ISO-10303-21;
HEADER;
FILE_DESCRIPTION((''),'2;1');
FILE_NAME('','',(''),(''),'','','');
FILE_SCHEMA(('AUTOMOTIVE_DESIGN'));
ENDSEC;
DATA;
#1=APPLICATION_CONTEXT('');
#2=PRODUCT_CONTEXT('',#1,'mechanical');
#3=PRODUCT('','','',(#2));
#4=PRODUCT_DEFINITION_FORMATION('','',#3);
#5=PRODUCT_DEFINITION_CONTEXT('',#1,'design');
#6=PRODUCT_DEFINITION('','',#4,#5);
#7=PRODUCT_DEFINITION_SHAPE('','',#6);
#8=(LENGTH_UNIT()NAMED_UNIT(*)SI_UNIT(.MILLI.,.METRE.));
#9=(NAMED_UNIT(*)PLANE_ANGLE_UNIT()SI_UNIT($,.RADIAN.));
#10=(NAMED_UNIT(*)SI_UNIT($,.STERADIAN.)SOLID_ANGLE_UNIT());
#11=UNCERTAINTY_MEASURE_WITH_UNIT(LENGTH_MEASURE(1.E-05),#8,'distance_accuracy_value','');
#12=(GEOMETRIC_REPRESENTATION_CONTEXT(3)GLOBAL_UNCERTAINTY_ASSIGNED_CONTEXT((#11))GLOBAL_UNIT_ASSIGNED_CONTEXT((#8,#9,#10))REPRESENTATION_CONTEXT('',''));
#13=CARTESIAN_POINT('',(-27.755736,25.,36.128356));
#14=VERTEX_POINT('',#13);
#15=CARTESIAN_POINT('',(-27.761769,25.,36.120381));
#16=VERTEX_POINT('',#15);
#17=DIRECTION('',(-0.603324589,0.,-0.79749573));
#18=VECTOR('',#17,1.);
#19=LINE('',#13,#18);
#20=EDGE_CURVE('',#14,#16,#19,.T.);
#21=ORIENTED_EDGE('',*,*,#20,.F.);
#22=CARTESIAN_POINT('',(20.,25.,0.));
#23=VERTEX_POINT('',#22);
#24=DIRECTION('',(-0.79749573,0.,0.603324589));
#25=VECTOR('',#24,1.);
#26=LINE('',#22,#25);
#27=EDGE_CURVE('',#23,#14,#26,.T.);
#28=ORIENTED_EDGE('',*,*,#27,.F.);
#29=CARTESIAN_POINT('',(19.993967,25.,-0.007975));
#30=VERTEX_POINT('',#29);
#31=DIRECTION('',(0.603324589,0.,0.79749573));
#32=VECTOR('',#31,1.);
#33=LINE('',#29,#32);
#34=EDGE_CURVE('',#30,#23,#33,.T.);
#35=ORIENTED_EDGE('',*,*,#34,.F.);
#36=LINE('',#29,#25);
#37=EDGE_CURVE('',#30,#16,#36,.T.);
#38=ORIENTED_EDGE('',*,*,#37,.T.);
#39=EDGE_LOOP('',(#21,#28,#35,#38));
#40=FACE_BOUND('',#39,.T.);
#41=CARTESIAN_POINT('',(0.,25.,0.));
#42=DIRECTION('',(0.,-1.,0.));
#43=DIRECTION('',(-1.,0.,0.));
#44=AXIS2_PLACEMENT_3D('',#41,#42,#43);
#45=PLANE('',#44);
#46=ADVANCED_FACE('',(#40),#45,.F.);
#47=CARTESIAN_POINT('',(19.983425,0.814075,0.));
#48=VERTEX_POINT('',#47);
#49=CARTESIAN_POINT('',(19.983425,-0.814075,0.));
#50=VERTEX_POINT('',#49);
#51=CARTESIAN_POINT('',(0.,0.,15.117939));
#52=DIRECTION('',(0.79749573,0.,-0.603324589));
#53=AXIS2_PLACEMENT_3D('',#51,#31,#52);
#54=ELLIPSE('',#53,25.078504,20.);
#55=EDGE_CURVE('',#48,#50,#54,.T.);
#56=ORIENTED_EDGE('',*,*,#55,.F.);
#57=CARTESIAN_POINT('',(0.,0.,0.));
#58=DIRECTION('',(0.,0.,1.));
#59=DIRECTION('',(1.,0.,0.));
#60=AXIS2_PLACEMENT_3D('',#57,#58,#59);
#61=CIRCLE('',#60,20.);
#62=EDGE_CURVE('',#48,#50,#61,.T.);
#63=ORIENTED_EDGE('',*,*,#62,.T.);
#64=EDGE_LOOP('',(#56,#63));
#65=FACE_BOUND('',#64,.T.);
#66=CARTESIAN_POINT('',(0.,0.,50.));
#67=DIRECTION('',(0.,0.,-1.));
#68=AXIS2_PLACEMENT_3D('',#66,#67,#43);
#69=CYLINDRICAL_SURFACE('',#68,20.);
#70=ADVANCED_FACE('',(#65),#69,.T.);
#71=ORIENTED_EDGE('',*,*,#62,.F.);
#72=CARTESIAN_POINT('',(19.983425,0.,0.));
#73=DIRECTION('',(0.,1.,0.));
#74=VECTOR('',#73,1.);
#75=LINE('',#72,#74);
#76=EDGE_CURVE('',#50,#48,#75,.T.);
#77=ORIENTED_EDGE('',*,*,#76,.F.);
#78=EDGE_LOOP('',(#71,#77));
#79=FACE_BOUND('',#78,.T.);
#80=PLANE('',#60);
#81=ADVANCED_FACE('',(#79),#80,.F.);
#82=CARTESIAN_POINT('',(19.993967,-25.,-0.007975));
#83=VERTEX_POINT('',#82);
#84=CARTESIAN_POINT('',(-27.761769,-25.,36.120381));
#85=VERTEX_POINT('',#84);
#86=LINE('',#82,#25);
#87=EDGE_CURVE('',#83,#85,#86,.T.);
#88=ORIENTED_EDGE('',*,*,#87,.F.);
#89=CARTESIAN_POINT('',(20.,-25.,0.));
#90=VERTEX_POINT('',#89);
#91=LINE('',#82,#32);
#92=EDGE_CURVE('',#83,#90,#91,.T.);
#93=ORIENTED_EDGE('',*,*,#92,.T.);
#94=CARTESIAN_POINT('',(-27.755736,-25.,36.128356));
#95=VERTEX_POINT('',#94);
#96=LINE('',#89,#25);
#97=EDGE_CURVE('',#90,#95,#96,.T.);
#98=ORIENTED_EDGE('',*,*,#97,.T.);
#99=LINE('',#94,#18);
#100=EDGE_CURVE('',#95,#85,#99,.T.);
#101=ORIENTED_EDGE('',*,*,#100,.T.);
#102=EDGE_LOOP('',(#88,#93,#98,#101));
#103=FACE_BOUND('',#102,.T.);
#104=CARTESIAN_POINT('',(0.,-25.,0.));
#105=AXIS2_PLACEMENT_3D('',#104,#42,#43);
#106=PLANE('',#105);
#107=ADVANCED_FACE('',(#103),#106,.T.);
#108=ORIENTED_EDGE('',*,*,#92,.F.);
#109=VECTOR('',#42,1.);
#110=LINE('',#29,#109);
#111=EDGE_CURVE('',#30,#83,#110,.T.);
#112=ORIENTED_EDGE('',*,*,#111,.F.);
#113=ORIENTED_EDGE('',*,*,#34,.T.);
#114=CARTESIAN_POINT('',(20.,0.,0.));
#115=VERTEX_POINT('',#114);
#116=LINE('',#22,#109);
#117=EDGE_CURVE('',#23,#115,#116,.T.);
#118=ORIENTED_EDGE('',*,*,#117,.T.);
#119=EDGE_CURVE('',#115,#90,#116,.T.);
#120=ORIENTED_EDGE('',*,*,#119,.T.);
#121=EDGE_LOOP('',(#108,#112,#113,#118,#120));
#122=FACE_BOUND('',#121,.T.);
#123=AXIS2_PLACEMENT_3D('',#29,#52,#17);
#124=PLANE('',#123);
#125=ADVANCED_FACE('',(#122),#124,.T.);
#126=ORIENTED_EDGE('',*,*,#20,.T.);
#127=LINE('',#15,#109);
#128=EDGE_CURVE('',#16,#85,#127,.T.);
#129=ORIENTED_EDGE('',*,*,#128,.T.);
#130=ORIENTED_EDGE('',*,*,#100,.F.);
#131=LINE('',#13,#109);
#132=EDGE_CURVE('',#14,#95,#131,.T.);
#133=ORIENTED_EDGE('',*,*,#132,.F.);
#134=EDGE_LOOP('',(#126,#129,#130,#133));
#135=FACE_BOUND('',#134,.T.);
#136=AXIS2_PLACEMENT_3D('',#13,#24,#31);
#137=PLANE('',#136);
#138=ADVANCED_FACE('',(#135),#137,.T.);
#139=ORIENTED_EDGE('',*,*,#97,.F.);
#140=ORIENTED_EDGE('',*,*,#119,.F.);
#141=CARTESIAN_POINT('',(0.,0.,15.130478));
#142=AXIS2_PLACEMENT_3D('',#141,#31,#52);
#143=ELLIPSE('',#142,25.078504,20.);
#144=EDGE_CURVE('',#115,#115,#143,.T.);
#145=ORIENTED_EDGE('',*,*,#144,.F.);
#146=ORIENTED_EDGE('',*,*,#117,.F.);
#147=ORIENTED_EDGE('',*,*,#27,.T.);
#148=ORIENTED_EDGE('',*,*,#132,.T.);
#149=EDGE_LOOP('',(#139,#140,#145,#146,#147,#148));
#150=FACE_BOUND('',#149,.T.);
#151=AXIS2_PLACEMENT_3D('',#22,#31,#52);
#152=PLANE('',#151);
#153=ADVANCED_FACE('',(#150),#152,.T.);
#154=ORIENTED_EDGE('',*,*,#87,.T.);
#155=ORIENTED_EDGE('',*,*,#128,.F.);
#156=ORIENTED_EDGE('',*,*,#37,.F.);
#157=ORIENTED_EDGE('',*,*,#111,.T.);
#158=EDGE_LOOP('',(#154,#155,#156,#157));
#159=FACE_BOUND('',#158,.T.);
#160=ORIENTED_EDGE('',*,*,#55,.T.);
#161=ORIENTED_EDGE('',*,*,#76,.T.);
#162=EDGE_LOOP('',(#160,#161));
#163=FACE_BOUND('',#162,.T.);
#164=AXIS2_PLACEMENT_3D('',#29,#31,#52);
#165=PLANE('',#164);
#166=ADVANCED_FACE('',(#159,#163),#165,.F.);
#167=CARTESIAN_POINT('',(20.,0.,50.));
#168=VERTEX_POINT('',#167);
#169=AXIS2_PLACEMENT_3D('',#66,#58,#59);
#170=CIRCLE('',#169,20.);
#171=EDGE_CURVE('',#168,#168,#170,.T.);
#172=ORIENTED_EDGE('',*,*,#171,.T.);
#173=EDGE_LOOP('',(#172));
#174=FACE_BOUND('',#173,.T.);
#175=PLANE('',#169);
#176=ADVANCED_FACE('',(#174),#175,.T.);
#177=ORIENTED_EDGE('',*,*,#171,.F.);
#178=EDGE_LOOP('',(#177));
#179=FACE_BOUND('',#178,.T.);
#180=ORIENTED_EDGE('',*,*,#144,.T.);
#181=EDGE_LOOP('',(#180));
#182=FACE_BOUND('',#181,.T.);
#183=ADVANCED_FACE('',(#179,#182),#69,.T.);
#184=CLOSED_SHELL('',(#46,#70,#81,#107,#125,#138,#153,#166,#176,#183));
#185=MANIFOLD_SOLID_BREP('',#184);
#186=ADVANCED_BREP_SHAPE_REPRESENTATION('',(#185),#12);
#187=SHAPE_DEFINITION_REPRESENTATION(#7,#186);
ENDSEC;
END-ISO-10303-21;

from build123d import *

# Parameters (mm, degrees)
SKETCH_1_R        = 20
EXTRUDE_1_DEPTH   = 50
EXTRUDE_1_2_DEPTH = 25


with BuildPart() as part:
    # 草图1 → Extrude 1 (new body)
    with BuildSketch(Plane.XY):
        Circle(SKETCH_1_R)
    extrude(amount=EXTRUDE_1_DEPTH)

    # 草图3 → Extrude 1 2 (add, symmetric)
    with BuildSketch(Plane(origin=(0, 0, 0), x_dir=(1, 0, 0), z_dir=(0, 1, 0))):
        Polygon((20, 0), (-27.7557358, -36.128356044), (-27.761769046, -36.120381086), (19.993966754, 0.007974957), align=None)
    extrude(amount=EXTRUDE_1_2_DEPTH, both=True)


solid = part.part
